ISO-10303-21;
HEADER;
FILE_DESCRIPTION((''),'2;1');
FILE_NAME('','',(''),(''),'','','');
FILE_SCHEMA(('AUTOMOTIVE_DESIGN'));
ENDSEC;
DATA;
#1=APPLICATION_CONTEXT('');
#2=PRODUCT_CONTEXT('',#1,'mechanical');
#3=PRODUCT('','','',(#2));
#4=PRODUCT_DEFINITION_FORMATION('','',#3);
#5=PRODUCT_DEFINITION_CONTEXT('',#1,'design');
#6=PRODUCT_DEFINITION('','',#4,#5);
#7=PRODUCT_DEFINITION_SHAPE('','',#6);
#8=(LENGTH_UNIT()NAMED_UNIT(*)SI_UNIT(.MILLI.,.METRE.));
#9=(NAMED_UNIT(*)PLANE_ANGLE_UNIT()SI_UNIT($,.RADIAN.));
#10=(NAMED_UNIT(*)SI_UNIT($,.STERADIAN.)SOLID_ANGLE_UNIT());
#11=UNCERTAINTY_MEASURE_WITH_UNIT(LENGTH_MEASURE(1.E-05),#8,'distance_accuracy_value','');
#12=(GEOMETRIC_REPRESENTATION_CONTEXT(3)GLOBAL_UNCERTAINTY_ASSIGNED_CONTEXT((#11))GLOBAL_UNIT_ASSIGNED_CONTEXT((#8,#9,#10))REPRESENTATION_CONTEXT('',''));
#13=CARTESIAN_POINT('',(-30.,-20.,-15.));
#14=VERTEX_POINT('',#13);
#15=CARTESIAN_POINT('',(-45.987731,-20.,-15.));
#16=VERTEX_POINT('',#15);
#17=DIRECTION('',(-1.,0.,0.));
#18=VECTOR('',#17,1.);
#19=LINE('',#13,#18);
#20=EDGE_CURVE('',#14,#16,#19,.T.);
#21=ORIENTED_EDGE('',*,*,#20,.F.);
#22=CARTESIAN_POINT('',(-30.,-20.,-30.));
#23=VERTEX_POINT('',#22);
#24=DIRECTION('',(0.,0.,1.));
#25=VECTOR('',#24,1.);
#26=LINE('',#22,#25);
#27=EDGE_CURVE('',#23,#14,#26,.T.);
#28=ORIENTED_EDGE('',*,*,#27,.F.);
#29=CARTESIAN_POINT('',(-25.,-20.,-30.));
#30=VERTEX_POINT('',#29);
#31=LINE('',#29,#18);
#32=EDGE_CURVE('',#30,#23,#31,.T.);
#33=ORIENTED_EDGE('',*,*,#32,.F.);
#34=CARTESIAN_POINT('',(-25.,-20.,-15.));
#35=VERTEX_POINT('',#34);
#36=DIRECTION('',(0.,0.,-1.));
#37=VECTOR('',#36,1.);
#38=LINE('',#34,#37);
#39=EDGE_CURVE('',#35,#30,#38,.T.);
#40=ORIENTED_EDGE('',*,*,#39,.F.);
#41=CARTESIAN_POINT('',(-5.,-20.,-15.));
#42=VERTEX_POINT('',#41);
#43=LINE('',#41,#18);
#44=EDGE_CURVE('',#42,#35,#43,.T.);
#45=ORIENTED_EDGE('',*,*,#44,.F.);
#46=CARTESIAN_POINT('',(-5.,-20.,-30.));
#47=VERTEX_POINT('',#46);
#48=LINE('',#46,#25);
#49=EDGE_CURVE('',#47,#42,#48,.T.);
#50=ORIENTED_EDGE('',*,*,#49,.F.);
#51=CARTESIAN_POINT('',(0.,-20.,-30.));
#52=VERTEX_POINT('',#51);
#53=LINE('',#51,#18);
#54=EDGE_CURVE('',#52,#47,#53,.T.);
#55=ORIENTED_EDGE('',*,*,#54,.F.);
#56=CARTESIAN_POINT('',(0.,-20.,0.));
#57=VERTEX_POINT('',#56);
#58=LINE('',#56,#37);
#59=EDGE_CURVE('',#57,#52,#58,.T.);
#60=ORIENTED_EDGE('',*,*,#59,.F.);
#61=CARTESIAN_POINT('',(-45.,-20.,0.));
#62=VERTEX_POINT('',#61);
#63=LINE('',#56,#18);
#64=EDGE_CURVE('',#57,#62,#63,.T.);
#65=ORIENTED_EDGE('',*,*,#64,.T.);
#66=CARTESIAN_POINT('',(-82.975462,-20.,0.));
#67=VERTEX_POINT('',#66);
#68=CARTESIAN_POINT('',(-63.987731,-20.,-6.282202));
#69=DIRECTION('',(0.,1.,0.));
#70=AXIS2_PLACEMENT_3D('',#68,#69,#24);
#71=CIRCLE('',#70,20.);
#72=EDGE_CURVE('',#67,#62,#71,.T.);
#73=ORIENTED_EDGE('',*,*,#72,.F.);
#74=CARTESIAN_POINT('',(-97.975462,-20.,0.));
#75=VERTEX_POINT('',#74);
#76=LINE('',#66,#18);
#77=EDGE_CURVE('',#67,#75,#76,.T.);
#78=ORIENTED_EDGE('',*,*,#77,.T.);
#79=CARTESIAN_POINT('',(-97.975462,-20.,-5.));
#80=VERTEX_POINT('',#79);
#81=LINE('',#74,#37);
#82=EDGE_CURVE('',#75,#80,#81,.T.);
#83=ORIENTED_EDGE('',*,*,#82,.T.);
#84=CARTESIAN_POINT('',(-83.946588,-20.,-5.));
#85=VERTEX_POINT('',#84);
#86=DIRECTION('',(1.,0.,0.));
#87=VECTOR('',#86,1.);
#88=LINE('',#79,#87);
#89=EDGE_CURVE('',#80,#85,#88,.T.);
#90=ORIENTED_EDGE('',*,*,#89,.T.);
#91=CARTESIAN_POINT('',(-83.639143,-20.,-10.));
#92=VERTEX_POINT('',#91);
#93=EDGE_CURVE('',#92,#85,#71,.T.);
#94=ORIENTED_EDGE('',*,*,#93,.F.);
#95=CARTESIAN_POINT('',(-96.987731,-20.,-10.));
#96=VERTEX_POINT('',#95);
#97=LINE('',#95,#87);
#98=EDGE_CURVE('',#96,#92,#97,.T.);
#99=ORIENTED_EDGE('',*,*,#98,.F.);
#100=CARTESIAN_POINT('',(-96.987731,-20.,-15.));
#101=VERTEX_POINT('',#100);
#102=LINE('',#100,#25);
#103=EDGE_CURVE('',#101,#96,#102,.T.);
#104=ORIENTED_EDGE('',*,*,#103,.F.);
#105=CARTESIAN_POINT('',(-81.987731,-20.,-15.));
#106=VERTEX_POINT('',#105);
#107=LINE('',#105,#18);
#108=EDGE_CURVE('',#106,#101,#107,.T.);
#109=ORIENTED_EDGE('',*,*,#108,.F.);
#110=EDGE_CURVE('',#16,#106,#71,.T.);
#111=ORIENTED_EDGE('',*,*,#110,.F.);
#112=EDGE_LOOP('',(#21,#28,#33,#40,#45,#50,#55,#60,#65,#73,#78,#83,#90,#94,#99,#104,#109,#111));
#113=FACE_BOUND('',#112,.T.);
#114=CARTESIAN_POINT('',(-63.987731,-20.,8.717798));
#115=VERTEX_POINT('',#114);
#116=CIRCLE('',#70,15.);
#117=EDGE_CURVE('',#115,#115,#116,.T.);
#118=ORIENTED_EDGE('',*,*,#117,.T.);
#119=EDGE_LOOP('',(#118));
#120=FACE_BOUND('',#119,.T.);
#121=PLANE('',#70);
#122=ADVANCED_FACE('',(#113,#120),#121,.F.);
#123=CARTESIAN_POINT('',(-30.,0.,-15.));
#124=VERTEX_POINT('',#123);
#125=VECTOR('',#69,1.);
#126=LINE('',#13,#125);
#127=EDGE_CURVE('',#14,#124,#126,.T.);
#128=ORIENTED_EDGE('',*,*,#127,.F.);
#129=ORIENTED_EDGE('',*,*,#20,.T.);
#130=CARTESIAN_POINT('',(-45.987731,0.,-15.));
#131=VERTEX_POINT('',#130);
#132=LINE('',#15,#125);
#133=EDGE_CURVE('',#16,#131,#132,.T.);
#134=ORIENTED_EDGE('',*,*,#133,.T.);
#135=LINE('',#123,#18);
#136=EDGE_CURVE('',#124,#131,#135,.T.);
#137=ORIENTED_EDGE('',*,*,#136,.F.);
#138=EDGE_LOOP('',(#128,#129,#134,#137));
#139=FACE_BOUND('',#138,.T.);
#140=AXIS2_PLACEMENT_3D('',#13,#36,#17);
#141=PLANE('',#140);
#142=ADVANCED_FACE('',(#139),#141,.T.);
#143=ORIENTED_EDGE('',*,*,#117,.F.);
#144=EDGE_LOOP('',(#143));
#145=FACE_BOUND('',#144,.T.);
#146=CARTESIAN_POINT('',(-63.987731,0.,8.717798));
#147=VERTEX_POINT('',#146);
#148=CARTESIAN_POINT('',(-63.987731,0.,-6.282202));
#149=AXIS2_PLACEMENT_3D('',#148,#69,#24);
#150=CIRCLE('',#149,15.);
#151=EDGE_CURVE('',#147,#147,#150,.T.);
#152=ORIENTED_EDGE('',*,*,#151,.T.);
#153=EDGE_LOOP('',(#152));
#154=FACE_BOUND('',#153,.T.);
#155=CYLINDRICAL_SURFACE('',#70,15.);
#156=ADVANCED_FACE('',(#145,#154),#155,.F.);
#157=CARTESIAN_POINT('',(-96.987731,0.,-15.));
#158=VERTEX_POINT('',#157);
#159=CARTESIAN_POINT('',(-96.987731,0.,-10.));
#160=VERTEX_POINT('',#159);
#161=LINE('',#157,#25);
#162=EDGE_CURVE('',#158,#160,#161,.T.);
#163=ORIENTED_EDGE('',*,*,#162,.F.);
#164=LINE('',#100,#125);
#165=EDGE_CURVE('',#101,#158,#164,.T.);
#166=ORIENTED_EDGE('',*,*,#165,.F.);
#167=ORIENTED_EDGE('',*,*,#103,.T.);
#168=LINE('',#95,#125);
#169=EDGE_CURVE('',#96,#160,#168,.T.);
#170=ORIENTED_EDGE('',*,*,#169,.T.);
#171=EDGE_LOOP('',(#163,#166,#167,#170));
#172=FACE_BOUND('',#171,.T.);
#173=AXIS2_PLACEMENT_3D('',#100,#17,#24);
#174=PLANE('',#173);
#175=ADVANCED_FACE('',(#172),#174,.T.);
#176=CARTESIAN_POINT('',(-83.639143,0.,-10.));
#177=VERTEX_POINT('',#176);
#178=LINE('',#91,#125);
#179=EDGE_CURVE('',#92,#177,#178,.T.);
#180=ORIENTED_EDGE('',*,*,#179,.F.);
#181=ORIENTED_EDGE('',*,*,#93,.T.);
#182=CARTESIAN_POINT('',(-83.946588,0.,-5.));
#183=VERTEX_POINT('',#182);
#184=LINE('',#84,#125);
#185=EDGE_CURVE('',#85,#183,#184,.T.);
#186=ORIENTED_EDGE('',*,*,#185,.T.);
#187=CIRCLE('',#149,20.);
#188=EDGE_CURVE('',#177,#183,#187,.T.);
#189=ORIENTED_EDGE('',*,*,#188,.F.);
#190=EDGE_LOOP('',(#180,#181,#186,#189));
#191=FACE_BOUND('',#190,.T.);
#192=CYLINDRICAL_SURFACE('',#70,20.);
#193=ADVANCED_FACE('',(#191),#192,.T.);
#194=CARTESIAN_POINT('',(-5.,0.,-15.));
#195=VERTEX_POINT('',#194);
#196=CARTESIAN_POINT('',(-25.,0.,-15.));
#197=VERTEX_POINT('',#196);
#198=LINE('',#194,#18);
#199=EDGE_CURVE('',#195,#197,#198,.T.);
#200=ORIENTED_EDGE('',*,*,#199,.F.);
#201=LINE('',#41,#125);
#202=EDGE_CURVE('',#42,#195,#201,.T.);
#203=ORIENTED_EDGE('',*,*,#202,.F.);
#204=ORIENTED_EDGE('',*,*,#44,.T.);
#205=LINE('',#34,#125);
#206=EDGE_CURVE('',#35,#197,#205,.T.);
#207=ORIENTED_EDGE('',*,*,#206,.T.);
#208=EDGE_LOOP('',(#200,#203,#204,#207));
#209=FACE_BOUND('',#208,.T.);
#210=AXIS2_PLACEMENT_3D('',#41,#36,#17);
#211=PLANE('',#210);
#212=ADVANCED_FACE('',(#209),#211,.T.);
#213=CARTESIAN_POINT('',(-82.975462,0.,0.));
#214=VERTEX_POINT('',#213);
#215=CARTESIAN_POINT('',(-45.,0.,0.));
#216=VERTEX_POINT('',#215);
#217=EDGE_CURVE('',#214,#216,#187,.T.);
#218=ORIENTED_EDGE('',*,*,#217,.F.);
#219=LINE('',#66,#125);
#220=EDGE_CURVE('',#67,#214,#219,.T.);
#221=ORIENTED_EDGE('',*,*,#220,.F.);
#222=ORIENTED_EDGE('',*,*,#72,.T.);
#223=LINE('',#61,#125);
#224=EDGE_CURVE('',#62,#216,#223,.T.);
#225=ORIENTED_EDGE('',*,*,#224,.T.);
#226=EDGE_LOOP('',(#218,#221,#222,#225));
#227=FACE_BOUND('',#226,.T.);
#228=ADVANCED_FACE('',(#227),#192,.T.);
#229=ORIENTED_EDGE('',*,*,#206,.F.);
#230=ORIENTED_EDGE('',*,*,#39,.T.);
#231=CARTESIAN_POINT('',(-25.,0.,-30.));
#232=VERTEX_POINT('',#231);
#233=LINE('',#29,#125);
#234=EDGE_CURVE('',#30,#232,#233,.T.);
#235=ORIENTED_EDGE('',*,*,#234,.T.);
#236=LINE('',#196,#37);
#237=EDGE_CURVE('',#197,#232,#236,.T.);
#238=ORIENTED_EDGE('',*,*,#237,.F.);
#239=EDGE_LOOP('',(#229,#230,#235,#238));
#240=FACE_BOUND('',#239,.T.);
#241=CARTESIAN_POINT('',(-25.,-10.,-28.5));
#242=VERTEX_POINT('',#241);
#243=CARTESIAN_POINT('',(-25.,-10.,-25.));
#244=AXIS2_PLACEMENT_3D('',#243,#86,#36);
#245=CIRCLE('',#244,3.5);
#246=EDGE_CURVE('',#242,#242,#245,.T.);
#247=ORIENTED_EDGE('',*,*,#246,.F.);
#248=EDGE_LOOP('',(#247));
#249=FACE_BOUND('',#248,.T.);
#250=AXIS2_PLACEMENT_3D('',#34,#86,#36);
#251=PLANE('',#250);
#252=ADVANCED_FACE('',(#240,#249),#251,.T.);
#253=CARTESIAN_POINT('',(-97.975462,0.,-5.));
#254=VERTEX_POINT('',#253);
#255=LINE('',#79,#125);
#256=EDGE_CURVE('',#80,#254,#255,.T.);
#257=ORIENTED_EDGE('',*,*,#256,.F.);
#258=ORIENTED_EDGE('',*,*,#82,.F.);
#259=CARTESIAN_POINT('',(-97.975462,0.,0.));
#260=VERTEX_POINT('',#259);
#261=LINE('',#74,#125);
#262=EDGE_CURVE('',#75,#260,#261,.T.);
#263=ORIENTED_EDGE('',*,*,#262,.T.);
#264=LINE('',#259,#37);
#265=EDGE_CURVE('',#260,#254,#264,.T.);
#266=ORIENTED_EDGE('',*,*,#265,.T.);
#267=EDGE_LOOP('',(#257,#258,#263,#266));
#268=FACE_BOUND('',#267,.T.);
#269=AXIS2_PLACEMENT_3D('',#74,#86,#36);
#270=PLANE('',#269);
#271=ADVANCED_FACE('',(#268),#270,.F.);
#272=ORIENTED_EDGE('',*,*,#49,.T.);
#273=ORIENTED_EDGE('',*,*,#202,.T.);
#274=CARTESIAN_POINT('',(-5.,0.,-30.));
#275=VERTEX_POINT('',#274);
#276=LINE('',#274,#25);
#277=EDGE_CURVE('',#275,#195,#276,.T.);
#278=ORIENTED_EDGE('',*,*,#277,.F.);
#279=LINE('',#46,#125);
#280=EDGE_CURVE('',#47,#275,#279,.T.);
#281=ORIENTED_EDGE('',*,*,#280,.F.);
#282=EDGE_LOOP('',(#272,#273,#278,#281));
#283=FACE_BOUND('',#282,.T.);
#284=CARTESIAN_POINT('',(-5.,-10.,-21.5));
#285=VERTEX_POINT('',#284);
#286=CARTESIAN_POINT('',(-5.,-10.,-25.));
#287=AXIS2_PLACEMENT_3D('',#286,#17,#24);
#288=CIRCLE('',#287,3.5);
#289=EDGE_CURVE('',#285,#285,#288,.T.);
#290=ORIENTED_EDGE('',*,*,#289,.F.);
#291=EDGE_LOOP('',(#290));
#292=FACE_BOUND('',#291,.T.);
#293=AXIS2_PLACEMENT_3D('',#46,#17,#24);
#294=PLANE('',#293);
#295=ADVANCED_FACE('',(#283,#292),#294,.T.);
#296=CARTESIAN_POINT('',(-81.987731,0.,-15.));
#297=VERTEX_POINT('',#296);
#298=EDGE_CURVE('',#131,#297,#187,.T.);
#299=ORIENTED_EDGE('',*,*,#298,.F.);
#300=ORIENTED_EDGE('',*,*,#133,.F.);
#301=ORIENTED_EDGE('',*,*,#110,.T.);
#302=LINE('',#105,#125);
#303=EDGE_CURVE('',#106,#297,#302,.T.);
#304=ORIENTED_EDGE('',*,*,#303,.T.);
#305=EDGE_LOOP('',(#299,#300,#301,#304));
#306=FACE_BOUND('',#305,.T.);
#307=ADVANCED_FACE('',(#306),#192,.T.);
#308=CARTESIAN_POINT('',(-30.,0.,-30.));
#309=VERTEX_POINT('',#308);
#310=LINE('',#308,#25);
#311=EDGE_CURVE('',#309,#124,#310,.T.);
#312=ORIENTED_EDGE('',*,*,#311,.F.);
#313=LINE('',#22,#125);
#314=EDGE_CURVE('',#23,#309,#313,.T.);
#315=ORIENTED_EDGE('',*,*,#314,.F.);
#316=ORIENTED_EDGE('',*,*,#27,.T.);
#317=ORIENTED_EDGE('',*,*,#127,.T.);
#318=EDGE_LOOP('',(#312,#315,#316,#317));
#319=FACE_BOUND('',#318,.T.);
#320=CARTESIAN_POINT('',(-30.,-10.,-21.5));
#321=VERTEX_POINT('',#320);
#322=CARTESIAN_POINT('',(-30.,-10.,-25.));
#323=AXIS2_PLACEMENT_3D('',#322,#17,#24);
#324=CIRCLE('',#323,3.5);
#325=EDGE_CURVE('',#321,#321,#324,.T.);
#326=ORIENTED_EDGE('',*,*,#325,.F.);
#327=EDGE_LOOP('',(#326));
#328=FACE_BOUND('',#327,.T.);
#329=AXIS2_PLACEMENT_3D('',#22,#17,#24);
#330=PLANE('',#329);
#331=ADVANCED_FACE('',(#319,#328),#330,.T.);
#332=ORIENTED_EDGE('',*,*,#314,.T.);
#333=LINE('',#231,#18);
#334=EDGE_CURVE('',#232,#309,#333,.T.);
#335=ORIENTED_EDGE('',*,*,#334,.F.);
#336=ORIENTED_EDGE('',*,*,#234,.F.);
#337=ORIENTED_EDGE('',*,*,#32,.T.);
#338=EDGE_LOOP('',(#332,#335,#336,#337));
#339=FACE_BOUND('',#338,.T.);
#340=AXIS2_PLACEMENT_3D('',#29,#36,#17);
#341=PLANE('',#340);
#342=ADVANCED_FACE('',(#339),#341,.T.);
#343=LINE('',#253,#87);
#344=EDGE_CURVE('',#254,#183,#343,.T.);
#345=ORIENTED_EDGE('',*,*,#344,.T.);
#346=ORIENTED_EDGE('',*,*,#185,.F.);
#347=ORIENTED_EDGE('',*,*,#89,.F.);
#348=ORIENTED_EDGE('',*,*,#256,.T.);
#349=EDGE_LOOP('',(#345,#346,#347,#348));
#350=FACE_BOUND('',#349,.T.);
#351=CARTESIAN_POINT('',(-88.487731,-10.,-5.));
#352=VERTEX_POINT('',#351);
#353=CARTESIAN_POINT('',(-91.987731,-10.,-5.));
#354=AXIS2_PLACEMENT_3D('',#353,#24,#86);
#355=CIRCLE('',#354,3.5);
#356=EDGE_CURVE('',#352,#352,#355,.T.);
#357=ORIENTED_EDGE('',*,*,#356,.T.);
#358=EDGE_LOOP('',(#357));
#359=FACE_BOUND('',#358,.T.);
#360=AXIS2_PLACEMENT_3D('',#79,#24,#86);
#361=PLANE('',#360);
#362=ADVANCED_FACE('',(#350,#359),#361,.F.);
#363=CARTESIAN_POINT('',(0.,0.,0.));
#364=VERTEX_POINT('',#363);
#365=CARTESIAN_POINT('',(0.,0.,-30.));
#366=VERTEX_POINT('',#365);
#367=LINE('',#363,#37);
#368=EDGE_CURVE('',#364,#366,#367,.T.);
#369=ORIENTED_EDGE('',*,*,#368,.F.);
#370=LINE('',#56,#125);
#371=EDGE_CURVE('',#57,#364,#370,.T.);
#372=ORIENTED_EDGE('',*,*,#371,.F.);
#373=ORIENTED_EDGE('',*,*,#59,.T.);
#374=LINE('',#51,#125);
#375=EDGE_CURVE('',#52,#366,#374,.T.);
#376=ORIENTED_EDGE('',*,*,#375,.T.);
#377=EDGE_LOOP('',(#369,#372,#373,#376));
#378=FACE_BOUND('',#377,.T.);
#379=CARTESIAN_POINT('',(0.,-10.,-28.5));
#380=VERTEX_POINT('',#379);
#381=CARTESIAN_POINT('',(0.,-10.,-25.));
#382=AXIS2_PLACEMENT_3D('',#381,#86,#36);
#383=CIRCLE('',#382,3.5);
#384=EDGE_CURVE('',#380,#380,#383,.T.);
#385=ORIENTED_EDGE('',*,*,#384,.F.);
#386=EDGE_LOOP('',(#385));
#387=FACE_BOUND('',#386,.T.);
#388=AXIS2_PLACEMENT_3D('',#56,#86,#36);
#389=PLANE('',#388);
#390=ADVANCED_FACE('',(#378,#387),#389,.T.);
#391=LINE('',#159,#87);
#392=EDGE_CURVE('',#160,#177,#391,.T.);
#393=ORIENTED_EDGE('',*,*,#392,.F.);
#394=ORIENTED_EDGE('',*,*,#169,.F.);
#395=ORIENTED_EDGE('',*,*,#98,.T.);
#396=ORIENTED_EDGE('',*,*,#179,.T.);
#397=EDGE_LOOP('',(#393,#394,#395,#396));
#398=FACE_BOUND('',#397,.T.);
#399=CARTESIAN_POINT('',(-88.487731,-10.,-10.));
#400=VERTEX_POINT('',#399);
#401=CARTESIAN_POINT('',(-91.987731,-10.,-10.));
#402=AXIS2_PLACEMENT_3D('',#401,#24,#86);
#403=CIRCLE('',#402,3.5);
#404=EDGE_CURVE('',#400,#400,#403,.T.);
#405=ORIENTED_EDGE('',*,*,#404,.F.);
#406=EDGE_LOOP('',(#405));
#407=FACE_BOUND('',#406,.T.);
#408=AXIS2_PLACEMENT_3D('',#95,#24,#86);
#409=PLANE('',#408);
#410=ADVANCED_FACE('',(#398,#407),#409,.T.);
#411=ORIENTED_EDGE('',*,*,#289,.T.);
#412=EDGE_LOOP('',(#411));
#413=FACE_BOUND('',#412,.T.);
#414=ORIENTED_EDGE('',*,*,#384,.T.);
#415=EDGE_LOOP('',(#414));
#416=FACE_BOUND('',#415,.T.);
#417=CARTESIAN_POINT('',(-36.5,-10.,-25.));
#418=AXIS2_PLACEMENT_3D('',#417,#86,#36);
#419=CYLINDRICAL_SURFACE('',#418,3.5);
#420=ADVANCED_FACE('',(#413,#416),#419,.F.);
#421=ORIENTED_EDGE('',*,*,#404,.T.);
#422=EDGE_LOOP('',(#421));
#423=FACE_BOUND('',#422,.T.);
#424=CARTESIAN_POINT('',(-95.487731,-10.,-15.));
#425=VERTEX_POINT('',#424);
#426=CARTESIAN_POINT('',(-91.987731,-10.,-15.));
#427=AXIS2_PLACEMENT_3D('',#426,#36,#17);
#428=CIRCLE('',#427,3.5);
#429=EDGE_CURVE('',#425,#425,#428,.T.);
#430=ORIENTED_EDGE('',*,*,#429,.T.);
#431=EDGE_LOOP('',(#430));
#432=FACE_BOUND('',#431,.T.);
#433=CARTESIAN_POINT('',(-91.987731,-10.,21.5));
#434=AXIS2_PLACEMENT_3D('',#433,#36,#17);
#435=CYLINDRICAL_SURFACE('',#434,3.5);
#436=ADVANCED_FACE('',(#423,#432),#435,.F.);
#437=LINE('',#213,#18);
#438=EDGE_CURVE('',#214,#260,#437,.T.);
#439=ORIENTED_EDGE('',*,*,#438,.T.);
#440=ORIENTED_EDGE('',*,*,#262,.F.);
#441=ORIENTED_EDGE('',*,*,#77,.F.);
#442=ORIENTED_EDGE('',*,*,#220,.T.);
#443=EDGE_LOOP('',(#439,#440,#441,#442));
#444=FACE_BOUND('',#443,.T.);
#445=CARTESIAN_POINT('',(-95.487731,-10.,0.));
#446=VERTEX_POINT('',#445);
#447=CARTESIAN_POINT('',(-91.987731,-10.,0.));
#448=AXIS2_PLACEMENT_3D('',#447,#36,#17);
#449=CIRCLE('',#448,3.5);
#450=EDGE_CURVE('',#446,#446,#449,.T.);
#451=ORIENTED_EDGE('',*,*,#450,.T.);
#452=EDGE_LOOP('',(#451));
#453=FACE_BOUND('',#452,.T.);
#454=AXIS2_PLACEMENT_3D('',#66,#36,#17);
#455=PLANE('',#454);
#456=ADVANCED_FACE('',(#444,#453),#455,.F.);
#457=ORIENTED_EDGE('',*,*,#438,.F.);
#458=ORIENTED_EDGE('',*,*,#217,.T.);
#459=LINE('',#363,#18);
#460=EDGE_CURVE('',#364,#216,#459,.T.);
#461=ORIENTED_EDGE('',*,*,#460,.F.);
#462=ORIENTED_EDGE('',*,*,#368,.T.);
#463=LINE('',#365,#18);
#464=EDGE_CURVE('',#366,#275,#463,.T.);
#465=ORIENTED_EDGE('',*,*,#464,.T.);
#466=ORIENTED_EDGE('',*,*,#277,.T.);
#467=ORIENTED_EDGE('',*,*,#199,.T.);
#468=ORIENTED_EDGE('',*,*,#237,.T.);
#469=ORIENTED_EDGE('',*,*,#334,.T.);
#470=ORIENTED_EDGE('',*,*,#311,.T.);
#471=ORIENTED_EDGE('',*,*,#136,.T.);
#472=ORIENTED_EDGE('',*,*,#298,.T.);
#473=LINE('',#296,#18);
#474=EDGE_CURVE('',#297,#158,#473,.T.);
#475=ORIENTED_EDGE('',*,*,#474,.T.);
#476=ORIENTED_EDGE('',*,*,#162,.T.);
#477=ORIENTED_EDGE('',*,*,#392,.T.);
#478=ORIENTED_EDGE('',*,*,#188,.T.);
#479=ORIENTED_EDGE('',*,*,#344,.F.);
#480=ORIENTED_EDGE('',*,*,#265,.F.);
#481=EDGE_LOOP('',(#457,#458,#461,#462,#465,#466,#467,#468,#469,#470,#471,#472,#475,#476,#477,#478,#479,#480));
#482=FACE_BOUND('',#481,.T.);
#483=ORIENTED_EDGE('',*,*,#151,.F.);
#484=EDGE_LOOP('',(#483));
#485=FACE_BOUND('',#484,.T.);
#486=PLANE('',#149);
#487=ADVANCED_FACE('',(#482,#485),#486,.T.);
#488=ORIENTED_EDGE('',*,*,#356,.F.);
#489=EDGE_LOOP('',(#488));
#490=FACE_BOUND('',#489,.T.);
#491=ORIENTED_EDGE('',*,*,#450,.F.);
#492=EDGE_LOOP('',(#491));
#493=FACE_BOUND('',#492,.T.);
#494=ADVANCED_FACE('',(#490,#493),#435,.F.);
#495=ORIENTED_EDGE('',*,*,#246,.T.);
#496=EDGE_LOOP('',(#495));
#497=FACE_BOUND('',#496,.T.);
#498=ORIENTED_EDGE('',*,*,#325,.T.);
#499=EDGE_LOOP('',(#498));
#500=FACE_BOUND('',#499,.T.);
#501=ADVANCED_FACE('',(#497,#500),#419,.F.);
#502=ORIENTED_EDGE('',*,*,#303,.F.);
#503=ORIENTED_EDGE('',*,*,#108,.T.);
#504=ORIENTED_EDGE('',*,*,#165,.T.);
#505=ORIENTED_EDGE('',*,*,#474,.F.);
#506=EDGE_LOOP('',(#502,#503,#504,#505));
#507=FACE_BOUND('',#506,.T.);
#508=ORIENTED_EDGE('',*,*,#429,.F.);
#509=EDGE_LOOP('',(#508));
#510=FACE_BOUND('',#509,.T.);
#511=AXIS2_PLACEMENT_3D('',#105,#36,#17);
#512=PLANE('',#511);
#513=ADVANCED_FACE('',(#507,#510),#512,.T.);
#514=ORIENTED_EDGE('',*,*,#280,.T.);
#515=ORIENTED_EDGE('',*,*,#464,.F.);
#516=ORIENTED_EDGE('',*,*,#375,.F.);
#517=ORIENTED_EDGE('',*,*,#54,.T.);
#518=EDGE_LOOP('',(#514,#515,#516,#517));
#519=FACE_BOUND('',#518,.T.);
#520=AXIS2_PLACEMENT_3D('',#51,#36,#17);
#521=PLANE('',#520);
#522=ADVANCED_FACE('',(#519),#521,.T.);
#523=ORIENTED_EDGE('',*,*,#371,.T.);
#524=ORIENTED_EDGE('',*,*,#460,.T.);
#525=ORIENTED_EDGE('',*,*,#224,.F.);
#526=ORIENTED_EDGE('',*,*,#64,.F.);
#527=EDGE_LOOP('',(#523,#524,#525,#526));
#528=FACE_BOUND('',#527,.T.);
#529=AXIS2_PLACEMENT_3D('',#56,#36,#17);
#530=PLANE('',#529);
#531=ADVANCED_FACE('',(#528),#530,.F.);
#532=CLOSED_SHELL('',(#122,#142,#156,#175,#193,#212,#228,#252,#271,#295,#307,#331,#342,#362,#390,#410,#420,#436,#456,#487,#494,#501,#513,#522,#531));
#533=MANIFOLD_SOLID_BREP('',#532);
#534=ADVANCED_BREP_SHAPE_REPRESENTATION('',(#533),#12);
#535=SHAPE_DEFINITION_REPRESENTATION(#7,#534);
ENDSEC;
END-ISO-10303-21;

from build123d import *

# Parameters (mm, degrees)
SKETCH2_R           = 15
BOSS_EXTRUDE1_DEPTH = 20
SKETCH3_R           = 3.5
CUT_EXTRUDE1_DEPTH  = 36.5
SKETCH4_R           = 3.5
CUT_EXTRUDE2_DEPTH  = 36.5


with BuildPart() as part:
    # Sketch2 → Boss-Extrude1 (new body)
    with BuildSketch(Plane(origin=(0, 0, 0), x_dir=(1, 0, 0), z_dir=(0, 1, 0))):
        with BuildLine():
            Line((0, 0), (0, 30))
            Line((0, 30), (-5, 30))
            Line((-5, 30), (-5, 15))
            Line((-5, 15), (-25, 15))
            Line((-25, 15), (-25, 30))
            Line((-25, 30), (-30, 30))
            Line((-30, 30), (-30, 15))
            Line((-30, 15), (-45.987731213, 15))
            ThreePointArc((-45.987731213, 15), (-63.987731213, 26.282202113), (-81.987731213, 15))
            Line((-81.987731213, 15), (-96.987731213, 15))
            Line((-96.987731213, 15), (-96.987731213, 10))
            Line((-96.987731213, 10), (-83.639142838, 10))
            ThreePointArc((-83.639142838, 10), (-83.950029119, 7.509663844), (-83.946587837, 5))
            Line((-83.946587837, 5), (-97.975462426, 5))
            Line((-97.975462426, 5), (-97.975462426, 0))
            Line((-97.975462426, 0), (-82.975462426, 0))
            ThreePointArc((-82.975462426, 0), (-63.987731213, -13.717797887), (-45, 0))
            Line((-45, 0), (0, 0))
        make_face()
        with Locations(Location((-63.987731213, 6.282202113, 0), (0, 0, 270))):
            Circle(SKETCH2_R, mode=Mode.SUBTRACT)
    extrude(amount=-BOSS_EXTRUDE1_DEPTH)

    # Sketch3 → Cut-Extrude1 (cut, symmetric)
    with BuildSketch(Plane(origin=(0, 0, 0), x_dir=(0, 0, -1), z_dir=(1, 0, 0))):
        with Locations((25, -10)):
            Circle(SKETCH3_R)
    extrude(amount=CUT_EXTRUDE1_DEPTH, both=True, mode=Mode.SUBTRACT)

    # Sketch4 → Cut-Extrude2 (cut, symmetric)
    with BuildSketch(Plane(origin=(0, 0, -15), x_dir=(-1, 0, 0), z_dir=(0, 0, -1))):
        with Locations((91.987731213, -10)):
            Circle(SKETCH4_R)
    extrude(amount=CUT_EXTRUDE2_DEPTH, both=True, mode=Mode.SUBTRACT)


solid = part.part
